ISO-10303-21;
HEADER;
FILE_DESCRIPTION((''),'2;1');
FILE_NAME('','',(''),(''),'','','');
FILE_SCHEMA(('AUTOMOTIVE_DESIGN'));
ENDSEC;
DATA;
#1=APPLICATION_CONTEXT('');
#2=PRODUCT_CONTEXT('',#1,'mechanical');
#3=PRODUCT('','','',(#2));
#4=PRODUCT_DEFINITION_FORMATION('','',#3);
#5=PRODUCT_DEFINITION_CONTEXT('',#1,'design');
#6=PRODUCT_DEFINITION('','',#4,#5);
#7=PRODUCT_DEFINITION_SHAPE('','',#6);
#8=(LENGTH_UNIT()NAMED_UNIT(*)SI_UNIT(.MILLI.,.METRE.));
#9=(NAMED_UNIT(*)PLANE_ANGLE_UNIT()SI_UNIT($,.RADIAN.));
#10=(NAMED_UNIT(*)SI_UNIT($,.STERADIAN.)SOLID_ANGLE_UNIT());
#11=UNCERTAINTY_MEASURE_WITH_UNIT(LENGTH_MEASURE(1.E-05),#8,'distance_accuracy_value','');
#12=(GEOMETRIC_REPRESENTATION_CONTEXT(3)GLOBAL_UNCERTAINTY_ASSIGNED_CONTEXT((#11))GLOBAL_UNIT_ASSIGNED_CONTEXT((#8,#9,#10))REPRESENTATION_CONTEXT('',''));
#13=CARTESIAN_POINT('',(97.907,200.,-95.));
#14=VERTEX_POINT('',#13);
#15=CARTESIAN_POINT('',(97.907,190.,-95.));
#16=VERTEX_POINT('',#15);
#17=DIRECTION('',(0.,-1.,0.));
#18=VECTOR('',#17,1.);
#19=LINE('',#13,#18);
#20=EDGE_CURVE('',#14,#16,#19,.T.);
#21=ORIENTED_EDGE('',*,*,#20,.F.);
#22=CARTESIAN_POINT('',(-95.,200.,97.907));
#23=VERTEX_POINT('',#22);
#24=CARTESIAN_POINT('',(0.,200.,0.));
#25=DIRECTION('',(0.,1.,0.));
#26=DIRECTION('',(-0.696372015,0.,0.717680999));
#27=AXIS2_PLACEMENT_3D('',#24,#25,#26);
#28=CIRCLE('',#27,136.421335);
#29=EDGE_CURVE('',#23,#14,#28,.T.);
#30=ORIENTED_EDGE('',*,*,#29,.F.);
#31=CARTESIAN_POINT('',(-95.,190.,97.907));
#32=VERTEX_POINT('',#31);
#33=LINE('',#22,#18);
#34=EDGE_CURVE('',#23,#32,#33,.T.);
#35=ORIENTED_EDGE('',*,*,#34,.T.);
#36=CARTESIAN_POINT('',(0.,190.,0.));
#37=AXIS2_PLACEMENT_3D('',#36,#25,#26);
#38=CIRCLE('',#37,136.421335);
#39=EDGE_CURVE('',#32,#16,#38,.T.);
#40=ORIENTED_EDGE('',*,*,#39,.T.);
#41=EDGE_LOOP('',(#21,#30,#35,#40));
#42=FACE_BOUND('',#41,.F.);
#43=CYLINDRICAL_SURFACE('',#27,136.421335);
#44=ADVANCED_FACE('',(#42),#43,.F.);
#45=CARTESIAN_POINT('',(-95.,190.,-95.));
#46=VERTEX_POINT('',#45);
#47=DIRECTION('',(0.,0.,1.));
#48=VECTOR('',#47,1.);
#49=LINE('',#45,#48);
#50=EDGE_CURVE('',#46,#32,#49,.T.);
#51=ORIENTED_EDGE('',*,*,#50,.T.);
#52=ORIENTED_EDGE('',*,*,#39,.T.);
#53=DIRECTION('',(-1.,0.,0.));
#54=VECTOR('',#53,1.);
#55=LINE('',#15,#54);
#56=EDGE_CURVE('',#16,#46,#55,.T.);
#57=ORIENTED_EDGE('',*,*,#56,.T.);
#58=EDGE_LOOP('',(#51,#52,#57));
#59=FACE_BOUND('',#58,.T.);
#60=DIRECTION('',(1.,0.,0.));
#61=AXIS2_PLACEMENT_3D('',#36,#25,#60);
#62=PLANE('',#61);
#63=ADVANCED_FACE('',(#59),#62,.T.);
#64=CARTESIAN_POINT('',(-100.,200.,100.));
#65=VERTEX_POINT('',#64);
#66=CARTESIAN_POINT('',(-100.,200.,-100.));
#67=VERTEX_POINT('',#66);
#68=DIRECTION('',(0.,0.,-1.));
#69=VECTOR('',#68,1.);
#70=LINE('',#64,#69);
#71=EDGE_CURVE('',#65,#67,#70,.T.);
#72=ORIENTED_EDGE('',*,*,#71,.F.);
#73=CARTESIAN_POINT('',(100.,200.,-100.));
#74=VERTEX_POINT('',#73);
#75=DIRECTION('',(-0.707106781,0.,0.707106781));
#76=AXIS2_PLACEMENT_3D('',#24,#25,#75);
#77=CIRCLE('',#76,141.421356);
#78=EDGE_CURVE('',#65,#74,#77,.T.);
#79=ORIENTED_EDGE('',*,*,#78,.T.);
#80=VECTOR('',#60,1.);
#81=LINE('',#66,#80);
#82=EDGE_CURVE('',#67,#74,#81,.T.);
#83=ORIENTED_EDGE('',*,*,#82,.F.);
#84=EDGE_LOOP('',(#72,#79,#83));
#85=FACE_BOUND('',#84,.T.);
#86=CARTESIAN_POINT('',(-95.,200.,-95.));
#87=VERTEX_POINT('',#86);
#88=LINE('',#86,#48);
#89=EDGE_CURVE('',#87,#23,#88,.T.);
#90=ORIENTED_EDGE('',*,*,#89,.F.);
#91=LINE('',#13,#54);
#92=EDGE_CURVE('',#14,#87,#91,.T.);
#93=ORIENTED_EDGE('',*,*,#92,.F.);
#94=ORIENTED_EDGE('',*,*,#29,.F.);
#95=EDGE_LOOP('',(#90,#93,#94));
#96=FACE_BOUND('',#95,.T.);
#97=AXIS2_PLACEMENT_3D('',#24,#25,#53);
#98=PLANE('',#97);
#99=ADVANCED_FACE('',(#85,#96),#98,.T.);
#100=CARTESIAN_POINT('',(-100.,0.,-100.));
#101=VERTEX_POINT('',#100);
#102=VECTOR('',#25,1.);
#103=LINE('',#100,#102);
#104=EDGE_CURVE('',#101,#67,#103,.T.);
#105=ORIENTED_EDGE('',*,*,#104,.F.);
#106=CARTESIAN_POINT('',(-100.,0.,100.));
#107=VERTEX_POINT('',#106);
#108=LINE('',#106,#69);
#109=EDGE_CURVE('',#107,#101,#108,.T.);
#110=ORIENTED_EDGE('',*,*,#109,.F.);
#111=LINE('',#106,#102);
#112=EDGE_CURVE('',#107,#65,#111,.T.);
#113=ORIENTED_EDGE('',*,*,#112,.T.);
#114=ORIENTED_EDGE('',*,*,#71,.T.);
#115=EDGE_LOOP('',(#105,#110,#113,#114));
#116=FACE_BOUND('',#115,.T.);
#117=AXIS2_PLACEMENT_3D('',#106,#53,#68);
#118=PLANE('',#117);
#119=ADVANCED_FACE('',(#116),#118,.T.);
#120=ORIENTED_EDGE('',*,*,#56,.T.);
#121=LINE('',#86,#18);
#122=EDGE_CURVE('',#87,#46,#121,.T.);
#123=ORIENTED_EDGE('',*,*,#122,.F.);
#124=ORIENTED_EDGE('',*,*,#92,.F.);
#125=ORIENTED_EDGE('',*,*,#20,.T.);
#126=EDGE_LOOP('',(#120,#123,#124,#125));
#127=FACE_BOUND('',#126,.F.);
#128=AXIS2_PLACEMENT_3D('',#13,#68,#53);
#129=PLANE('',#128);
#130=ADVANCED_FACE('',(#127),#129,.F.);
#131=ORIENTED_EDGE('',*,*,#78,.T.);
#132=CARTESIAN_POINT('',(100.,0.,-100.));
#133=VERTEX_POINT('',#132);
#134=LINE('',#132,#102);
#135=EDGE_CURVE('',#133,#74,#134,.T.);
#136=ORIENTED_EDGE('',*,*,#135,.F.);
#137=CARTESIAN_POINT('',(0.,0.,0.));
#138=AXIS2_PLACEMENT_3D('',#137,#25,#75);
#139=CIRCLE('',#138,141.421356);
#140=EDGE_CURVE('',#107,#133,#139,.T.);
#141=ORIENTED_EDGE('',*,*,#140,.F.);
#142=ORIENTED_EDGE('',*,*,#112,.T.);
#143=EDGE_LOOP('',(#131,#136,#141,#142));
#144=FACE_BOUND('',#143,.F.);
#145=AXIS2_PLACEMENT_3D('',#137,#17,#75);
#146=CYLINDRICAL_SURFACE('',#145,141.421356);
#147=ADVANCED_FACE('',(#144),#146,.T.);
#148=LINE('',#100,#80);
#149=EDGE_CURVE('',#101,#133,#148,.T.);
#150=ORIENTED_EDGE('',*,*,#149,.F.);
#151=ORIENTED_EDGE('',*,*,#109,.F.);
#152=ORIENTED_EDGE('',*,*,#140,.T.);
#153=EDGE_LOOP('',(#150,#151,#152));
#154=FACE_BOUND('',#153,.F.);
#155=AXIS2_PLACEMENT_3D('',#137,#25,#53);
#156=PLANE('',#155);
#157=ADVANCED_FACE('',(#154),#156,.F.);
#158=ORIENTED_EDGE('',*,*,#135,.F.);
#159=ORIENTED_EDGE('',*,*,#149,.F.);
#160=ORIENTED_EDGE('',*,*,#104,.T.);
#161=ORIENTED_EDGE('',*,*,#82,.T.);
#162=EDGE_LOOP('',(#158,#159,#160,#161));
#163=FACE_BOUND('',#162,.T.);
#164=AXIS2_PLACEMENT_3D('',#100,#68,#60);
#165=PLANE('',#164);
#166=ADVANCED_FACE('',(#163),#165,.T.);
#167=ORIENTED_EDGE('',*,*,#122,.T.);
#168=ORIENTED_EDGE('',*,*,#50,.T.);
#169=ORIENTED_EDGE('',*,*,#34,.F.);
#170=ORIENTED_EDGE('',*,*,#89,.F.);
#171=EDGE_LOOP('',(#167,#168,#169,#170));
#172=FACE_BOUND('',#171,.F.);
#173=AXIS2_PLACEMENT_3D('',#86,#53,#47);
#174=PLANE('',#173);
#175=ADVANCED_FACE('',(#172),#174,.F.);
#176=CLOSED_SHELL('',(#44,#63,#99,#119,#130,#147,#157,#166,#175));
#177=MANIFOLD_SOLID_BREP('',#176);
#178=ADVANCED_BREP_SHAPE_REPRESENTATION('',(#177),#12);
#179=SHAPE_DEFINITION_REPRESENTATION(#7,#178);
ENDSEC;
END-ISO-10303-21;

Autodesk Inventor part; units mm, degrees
ref_plane "YZ Plane" through (0, 0, 0) normal (1, 0, 0) x (0, 1, 0)
ref_plane "XZ Plane" through (0, 0, 0) normal (0, 1, 0) x (-1, 0, 0)
ref_plane "XY Plane" through (0, 0, 0) normal (0, 0, 1) x (1, 0, 0)
sketch "Sketch1" plane through (0, 0, 0) normal (0, 1, 0) x (-1, 0, 0)
  line L0 (-100, 100) -> (100, 100) construction
  line L1 (100, 100) -> (100, -100)
  line L2 (100, -100) -> (-100, -100)
  line L3 (-100, -100) -> (-100, 100) construction
  line L4 (-100, 100) -> (100, -100) construction
  line L5 (100, 100) -> (-100, -100) construction
  arc A0 (100, 100) -> (-100, -100) centre (0, 0) ccw
  dimension "d0" = 200
  dimension "d1" = 200
extrude "Extrusion1" add sketch "Sketch1" along normal blind 200
sketch "Sketch2" plane through (0, 200, 0) normal (0, 1, 0) x (1, 0, 0)
  line L0 (100, 100) -> (-100, 100) construction
  line L1 (-100, 100) -> (-100, -100) construction
  arc A0 (-100, -100) -> (100, 100) centre (0, 0) ccw construction
  line L2 (97.907, 95) -> (-95, 95)
  line L3 (-95, 95) -> (-95, -97.907)
  arc A1 (-95, -97.907) -> (97.907, 95) centre (0, 0) ccw
  dimension "d4" = 5
extrude "Extrusion2" cut sketch "Sketch2" against normal blind 10
properties part number "edgy_geom_3DPrint"
